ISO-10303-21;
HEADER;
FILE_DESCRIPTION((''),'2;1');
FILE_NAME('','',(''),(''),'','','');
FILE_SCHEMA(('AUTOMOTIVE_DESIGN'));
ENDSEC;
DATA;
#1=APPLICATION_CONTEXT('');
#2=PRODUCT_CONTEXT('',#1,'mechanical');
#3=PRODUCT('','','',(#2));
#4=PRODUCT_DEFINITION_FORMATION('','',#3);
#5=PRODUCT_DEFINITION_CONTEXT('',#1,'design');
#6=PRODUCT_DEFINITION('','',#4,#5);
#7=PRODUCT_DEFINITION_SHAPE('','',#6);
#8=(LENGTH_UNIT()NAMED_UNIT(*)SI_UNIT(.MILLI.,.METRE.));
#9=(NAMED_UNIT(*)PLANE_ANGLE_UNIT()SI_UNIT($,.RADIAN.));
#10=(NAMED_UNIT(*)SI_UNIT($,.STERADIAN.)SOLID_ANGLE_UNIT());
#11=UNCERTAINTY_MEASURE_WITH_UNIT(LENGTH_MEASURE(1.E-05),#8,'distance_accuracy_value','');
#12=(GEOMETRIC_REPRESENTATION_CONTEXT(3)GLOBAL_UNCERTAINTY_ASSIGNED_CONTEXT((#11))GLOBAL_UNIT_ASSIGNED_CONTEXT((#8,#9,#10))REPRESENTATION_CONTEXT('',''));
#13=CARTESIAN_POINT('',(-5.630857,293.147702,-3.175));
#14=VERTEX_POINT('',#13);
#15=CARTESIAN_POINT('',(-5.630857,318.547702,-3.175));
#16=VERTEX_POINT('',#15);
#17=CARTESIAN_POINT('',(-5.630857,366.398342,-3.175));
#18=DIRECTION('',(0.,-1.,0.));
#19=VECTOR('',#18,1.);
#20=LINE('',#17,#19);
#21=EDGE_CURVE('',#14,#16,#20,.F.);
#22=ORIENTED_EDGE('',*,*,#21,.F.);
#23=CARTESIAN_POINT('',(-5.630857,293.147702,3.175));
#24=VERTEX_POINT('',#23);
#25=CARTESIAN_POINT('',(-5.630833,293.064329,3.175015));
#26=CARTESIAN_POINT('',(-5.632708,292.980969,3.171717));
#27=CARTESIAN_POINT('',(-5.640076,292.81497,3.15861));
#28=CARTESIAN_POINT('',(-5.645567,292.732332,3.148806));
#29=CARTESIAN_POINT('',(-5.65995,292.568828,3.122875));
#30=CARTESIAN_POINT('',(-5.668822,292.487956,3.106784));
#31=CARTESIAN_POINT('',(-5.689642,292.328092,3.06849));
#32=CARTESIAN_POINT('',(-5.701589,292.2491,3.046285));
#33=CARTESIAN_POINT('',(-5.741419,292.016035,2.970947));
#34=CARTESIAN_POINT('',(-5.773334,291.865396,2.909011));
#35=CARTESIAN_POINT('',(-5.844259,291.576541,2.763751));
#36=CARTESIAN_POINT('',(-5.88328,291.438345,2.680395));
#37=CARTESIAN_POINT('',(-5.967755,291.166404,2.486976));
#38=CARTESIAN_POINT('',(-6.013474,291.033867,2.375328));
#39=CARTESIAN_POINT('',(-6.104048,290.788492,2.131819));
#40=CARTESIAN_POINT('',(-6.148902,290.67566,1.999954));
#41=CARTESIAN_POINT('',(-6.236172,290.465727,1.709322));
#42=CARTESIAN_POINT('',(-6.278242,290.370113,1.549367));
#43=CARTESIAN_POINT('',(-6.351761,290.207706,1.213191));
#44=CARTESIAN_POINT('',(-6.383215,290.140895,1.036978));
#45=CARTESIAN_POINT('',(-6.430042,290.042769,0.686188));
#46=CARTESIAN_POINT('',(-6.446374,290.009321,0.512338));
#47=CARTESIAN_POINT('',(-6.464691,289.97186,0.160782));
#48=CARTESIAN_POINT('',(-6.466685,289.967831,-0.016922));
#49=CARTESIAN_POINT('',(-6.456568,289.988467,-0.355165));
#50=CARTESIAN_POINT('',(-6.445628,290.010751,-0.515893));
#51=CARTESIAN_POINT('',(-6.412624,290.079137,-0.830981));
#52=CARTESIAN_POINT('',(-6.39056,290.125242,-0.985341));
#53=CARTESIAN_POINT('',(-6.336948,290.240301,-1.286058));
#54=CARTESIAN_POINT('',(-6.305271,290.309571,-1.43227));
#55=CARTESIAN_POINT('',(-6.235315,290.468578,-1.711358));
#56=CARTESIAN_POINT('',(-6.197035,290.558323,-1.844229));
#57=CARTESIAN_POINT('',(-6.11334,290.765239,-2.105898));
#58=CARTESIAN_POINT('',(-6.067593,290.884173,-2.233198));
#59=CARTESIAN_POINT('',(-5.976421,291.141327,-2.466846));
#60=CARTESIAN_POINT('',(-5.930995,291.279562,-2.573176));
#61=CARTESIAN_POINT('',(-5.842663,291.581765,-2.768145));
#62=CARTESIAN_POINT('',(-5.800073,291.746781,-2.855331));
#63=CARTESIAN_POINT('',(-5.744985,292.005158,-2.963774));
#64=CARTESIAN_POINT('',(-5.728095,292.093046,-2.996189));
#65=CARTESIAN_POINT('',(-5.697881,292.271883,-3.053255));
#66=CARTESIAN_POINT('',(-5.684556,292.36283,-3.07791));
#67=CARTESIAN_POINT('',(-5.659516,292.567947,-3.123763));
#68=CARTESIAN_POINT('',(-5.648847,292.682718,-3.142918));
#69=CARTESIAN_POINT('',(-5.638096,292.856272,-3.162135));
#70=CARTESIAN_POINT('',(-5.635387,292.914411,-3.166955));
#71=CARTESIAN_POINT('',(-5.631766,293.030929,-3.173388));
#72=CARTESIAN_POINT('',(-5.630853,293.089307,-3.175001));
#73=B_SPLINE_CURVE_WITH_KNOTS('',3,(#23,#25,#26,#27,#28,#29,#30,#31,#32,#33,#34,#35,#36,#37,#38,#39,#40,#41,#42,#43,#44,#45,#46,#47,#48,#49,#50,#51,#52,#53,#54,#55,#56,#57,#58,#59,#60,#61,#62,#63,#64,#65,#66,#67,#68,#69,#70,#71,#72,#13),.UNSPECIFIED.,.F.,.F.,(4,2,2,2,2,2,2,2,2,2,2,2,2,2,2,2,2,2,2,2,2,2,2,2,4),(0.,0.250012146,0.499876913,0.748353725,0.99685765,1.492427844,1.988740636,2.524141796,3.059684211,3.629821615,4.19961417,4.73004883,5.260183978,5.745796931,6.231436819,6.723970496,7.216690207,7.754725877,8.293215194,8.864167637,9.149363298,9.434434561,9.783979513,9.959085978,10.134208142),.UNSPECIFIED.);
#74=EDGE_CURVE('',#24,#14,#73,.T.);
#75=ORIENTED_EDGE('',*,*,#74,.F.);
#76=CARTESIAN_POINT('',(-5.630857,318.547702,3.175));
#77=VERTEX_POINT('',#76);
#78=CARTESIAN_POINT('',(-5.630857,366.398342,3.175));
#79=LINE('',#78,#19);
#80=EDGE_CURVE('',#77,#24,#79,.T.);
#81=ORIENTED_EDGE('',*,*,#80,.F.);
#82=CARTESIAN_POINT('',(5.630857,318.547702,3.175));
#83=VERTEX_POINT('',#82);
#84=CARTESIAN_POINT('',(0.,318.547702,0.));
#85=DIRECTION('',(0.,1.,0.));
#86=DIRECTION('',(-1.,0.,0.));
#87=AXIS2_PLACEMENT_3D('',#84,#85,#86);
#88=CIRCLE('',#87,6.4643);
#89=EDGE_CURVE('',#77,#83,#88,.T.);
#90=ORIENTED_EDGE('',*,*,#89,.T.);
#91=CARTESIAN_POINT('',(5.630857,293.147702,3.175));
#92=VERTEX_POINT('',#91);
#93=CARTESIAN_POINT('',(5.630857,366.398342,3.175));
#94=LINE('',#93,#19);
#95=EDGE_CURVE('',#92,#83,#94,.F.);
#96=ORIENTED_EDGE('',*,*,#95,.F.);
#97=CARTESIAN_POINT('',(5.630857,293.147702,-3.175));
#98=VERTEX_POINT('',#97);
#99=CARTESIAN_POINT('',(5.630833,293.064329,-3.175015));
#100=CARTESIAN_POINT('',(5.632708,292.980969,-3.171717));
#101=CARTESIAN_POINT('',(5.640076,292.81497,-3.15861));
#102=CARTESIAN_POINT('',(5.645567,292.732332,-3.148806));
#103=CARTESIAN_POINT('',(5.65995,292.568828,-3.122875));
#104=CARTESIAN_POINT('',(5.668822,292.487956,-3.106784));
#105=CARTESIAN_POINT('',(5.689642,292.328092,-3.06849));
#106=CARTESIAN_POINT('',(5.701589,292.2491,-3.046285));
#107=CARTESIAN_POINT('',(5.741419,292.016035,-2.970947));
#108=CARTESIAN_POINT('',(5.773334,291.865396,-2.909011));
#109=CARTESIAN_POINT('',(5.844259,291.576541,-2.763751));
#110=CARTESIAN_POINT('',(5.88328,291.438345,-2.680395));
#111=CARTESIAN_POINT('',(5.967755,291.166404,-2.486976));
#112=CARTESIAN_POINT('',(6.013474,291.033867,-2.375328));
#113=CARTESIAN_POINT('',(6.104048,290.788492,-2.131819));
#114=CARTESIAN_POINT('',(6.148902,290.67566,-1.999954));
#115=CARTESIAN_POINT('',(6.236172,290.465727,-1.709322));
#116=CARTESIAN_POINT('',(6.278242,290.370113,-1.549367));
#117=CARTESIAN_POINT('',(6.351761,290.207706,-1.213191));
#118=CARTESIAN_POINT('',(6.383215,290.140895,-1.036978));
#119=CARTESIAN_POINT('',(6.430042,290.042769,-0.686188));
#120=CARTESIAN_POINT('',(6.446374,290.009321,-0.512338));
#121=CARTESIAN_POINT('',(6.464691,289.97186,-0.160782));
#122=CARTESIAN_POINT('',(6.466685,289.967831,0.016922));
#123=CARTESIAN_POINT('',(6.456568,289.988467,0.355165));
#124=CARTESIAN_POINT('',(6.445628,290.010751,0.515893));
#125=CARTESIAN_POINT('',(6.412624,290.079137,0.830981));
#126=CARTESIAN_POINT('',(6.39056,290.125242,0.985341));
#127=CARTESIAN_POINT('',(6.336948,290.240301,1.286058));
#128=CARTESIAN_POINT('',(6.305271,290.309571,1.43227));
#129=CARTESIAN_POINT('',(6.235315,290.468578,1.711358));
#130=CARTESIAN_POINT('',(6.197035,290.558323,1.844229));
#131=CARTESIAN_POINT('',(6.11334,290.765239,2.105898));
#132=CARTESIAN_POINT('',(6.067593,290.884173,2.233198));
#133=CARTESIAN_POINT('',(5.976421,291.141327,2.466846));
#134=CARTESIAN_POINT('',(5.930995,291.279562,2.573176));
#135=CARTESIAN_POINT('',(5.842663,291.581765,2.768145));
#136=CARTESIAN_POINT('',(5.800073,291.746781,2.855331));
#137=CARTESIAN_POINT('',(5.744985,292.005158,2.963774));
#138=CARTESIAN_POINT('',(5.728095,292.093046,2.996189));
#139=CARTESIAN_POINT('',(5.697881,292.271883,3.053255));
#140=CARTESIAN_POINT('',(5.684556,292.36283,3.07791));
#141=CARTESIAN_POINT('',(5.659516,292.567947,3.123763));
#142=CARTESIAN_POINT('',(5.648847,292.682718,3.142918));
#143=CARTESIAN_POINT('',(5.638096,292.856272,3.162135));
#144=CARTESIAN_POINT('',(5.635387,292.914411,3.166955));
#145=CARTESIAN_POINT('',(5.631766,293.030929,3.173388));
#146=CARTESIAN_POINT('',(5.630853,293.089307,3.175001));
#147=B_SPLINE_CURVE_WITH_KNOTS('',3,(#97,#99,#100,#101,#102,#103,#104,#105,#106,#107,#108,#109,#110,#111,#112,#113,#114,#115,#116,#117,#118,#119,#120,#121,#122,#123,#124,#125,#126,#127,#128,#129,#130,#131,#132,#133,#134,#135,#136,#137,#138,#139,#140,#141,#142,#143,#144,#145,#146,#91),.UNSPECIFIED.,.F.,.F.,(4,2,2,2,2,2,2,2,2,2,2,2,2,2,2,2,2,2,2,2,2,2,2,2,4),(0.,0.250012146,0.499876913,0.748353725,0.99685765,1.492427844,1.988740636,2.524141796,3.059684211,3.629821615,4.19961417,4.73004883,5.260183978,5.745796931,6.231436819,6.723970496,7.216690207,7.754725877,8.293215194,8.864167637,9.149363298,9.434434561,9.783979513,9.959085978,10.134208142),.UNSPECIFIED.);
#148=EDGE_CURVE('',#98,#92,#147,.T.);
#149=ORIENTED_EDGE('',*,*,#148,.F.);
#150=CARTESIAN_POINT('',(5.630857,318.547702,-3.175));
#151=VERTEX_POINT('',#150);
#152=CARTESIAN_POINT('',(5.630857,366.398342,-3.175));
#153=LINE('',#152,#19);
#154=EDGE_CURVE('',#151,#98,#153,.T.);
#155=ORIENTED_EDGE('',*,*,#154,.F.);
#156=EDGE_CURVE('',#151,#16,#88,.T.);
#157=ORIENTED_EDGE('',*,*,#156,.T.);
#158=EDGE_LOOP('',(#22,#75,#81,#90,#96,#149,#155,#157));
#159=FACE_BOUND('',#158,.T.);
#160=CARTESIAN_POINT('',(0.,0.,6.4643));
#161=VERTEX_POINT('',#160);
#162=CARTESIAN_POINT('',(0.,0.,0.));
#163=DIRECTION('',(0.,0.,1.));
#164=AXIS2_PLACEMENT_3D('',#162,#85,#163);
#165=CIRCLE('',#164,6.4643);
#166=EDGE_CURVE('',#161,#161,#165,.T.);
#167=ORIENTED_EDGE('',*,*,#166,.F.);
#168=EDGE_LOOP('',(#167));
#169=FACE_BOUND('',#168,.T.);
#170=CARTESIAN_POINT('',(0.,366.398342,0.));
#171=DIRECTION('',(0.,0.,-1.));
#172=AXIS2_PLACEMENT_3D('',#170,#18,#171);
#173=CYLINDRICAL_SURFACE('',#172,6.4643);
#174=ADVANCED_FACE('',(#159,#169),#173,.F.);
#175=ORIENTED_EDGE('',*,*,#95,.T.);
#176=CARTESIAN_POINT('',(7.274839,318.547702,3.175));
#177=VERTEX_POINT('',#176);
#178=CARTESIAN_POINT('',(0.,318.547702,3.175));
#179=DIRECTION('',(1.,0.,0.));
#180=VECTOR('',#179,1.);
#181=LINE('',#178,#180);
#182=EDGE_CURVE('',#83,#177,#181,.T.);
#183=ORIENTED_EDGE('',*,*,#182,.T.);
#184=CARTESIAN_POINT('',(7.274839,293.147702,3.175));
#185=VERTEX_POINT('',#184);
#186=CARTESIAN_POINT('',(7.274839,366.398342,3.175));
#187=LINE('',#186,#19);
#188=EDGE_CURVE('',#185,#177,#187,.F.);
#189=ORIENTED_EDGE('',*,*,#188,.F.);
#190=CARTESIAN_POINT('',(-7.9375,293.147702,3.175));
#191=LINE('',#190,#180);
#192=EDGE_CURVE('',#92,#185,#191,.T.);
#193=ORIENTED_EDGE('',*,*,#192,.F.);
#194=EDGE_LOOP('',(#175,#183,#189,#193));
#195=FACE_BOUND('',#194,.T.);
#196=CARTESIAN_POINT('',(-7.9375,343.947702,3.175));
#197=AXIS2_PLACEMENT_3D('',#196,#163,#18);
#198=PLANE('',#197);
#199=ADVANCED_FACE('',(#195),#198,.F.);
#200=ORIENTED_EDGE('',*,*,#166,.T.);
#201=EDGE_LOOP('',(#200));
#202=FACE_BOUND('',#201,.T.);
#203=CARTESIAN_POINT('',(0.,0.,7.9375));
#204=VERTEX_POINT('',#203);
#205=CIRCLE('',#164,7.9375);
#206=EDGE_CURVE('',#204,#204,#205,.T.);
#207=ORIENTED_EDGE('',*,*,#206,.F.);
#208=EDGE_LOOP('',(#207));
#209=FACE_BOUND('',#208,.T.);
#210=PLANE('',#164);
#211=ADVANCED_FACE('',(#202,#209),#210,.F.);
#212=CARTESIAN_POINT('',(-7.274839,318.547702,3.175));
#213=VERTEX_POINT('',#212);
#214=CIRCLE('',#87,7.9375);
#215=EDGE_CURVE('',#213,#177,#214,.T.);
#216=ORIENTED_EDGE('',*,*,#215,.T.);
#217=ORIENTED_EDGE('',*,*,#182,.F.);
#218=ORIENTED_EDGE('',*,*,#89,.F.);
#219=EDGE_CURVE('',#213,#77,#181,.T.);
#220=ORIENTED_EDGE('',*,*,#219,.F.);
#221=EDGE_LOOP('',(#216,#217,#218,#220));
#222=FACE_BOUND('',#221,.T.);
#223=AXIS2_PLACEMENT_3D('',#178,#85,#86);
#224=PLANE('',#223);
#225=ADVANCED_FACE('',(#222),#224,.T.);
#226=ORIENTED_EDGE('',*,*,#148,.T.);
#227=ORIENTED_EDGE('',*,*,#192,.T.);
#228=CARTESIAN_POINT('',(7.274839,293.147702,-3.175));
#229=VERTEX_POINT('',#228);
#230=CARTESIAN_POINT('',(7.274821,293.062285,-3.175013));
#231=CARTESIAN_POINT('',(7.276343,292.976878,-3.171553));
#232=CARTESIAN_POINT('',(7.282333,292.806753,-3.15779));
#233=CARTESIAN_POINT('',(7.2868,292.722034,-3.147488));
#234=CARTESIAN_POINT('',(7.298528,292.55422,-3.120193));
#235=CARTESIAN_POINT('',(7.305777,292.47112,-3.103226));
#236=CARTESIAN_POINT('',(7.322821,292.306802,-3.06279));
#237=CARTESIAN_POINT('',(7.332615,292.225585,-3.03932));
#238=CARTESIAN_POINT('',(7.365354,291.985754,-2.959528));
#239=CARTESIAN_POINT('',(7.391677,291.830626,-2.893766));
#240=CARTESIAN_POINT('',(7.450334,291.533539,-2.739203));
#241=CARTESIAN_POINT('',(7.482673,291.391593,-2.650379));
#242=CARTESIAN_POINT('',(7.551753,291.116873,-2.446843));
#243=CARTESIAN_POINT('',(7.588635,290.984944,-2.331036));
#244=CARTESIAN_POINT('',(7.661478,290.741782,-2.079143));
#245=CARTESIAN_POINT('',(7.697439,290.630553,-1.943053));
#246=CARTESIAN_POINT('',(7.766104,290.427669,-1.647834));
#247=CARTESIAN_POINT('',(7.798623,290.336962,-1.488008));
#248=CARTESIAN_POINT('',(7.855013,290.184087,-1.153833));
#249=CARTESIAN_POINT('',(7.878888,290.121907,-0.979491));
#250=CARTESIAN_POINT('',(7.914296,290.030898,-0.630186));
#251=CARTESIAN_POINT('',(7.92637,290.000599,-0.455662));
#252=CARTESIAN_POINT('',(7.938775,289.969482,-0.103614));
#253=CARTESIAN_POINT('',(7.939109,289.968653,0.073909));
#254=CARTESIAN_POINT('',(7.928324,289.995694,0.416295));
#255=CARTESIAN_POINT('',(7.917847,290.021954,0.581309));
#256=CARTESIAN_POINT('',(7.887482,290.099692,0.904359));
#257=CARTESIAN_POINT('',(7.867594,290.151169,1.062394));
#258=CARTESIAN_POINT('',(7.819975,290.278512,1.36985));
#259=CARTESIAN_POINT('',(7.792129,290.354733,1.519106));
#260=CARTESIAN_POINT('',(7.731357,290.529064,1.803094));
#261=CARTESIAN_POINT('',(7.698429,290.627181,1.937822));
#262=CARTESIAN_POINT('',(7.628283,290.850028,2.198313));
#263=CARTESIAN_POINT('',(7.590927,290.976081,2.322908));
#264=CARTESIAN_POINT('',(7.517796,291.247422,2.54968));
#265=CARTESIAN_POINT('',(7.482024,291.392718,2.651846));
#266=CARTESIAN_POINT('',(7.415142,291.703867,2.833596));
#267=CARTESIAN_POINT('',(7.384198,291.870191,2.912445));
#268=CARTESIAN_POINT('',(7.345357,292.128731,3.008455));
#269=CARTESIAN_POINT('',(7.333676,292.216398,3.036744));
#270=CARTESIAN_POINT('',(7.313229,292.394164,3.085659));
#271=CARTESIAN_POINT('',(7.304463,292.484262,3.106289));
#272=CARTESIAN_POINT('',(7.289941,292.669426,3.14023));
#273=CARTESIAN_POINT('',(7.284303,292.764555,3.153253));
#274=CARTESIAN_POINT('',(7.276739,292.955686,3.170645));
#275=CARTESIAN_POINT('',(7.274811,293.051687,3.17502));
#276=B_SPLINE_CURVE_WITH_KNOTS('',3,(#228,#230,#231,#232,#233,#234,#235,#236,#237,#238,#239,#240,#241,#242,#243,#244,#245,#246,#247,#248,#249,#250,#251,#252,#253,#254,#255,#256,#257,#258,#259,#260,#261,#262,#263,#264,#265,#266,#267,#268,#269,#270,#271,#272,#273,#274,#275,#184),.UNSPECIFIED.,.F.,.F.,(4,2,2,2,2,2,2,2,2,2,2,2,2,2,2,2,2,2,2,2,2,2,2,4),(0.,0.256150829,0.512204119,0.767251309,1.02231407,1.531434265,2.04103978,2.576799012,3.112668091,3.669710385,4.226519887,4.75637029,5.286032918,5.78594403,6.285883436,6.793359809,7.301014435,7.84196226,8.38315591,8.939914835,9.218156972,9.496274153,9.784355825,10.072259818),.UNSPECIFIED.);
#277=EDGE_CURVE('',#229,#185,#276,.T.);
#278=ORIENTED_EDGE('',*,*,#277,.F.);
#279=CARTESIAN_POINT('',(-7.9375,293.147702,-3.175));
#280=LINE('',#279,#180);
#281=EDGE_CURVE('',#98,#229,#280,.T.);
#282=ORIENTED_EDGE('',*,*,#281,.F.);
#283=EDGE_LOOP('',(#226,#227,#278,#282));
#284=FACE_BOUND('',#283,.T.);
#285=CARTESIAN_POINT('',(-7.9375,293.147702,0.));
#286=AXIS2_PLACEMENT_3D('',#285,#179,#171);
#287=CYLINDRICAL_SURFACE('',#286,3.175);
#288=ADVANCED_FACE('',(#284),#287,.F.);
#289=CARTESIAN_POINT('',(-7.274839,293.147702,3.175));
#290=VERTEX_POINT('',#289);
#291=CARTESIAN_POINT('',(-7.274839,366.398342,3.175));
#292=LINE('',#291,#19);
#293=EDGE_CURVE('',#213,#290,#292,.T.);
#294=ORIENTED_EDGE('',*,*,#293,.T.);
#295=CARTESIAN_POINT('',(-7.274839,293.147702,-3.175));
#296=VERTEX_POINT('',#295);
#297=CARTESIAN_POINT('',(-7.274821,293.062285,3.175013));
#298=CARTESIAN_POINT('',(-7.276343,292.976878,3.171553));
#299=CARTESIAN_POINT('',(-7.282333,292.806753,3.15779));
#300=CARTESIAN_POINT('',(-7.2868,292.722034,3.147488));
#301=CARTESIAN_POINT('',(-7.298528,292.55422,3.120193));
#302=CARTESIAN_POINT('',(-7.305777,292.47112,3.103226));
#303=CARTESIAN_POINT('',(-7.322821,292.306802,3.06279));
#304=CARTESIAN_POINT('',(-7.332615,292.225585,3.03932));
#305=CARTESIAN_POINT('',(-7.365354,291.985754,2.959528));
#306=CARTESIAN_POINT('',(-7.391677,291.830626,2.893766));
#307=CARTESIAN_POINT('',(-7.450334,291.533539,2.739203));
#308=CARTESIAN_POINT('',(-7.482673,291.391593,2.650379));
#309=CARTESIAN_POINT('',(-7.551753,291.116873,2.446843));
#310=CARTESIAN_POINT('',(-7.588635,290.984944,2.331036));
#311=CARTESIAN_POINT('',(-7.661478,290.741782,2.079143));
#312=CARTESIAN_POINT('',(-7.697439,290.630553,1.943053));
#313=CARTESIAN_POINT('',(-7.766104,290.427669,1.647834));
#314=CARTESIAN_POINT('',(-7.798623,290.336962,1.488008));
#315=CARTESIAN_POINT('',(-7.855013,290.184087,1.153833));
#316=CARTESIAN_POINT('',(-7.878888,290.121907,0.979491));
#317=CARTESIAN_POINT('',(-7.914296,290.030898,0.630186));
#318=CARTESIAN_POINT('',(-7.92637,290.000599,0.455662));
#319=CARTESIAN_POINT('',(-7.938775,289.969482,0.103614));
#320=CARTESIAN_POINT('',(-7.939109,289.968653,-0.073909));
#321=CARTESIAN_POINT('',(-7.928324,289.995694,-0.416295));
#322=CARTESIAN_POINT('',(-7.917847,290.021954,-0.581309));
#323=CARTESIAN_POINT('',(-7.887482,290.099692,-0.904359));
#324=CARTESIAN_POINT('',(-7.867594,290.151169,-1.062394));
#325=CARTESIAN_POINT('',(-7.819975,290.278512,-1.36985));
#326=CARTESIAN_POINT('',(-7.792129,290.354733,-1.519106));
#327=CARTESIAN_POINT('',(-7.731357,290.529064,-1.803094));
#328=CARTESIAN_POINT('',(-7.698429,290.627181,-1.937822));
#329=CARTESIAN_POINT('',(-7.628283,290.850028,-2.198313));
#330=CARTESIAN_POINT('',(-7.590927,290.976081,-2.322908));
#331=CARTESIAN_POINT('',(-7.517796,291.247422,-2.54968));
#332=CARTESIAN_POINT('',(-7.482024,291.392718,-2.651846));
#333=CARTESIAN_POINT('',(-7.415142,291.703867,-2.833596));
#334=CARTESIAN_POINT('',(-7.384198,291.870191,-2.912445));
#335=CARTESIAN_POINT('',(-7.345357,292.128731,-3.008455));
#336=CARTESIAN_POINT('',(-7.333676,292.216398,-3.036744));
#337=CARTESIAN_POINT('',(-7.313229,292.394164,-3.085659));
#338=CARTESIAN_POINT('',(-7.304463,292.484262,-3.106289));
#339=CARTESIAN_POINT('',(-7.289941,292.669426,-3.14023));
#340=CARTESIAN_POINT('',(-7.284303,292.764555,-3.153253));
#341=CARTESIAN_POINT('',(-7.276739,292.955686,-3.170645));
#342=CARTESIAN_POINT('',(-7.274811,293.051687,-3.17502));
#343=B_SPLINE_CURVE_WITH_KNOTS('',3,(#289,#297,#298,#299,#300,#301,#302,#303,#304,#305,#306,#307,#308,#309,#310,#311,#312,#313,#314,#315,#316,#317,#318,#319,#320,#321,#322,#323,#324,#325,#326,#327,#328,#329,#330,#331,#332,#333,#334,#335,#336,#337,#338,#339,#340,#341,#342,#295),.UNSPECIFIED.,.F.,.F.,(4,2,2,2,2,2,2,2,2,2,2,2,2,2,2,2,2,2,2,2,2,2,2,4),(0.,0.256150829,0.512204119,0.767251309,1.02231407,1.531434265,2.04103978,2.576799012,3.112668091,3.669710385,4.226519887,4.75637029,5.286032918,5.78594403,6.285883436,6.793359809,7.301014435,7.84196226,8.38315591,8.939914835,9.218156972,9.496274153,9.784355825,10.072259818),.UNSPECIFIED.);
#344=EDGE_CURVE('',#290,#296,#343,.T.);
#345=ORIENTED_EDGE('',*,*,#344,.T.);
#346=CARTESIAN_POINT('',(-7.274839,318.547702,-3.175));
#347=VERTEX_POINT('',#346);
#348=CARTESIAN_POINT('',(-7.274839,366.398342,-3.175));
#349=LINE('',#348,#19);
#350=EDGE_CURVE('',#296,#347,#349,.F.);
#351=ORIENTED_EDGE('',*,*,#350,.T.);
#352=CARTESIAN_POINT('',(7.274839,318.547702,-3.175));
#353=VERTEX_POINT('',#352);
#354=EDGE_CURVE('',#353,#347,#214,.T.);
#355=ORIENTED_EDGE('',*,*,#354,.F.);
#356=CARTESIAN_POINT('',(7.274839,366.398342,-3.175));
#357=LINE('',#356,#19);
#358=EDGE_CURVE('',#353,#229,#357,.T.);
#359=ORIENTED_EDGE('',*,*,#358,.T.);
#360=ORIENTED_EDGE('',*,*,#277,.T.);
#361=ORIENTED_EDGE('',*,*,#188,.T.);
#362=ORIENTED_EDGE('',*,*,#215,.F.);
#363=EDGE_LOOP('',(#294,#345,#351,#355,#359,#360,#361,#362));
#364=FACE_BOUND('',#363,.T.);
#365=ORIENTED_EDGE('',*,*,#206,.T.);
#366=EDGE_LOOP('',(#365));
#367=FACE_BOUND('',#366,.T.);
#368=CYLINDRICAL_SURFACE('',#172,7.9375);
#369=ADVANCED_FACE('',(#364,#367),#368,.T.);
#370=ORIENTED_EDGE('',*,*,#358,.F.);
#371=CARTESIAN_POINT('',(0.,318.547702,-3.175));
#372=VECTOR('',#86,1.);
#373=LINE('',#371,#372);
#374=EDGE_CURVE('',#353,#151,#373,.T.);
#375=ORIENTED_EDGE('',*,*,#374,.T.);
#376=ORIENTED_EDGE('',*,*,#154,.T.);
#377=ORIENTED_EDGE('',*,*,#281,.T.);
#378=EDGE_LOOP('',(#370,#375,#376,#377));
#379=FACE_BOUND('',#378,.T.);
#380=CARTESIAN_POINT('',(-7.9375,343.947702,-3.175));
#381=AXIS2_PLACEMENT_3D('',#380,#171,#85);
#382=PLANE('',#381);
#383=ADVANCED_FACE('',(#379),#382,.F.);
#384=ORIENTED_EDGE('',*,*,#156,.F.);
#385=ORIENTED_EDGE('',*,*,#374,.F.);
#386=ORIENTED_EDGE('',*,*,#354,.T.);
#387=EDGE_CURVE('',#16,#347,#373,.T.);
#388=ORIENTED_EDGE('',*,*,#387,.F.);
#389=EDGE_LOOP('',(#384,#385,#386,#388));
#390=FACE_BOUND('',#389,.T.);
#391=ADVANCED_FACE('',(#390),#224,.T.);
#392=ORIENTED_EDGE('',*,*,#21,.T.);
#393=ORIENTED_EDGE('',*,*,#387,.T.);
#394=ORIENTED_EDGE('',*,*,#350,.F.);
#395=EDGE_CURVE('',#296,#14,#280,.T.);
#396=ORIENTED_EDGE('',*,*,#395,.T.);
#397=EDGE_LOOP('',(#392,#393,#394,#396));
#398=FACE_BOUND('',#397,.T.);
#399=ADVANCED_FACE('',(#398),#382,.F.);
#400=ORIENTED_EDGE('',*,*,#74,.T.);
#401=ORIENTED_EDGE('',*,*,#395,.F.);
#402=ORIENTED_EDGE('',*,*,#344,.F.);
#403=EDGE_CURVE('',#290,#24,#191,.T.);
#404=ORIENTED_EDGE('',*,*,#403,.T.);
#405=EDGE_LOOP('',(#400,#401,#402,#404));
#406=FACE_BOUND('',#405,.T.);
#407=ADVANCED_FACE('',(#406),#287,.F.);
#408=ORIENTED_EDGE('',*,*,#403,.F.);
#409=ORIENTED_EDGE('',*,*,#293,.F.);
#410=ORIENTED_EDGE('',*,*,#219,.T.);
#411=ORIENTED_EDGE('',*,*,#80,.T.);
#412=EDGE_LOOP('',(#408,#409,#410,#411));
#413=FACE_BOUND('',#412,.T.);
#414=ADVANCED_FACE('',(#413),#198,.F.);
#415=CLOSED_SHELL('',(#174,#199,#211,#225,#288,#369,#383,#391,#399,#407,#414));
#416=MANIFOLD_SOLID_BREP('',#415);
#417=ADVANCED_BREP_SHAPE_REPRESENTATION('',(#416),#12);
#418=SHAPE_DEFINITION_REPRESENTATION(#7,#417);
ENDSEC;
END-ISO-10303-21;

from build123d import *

# Parameters (mm, degrees)
SKETCH1_R               = 7.9375
SKETCH1_R_2             = 6.4643
BOSS_EXTRUDE1_DEPTH     = 318.547702053
CUT_EXTRUDE1_DEPTH      = 319.745425529
CUT_EXTRUDE1_DEPTH_BACK = 319.745425529


with BuildPart() as part:
    # Sketch1 → Boss-Extrude1 (new body)
    with BuildSketch(Plane(origin=(0, 0, 0), x_dir=(1, 0, 0), z_dir=(0, 1, 0))):
        with Locations(Location((0, 0, 0), (0, 0, 180))):
            Circle(SKETCH1_R)
        with Locations(Location((0, 0, 0), (0, 0, 180))):
            Circle(SKETCH1_R_2, mode=Mode.SUBTRACT)
    extrude(amount=BOSS_EXTRUDE1_DEPTH)

    # Sketch4 → Cut-Extrude1 (cut, two sides: drawn at the far end of the back side and taken through both)
    with BuildSketch(Plane(origin=(0, 0, 0), x_dir=(0, 0, -1), z_dir=(1, 0, 0)).offset(-CUT_EXTRUDE1_DEPTH_BACK)):
        with BuildLine():
            Line((3.175, 343.947702053), (3.175, 293.147702053))
            ThreePointArc((3.175, 293.147702053), (0, 289.972702053), (-3.175, 293.147702053))
            Line((-3.175, 293.147702053), (-3.175, 343.947702053))
            ThreePointArc((-3.175, 343.947702053), (0, 347.122702053), (3.175, 343.947702053))
        make_face()
    extrude(amount=CUT_EXTRUDE1_DEPTH + CUT_EXTRUDE1_DEPTH_BACK, mode=Mode.SUBTRACT)


solid = part.part
